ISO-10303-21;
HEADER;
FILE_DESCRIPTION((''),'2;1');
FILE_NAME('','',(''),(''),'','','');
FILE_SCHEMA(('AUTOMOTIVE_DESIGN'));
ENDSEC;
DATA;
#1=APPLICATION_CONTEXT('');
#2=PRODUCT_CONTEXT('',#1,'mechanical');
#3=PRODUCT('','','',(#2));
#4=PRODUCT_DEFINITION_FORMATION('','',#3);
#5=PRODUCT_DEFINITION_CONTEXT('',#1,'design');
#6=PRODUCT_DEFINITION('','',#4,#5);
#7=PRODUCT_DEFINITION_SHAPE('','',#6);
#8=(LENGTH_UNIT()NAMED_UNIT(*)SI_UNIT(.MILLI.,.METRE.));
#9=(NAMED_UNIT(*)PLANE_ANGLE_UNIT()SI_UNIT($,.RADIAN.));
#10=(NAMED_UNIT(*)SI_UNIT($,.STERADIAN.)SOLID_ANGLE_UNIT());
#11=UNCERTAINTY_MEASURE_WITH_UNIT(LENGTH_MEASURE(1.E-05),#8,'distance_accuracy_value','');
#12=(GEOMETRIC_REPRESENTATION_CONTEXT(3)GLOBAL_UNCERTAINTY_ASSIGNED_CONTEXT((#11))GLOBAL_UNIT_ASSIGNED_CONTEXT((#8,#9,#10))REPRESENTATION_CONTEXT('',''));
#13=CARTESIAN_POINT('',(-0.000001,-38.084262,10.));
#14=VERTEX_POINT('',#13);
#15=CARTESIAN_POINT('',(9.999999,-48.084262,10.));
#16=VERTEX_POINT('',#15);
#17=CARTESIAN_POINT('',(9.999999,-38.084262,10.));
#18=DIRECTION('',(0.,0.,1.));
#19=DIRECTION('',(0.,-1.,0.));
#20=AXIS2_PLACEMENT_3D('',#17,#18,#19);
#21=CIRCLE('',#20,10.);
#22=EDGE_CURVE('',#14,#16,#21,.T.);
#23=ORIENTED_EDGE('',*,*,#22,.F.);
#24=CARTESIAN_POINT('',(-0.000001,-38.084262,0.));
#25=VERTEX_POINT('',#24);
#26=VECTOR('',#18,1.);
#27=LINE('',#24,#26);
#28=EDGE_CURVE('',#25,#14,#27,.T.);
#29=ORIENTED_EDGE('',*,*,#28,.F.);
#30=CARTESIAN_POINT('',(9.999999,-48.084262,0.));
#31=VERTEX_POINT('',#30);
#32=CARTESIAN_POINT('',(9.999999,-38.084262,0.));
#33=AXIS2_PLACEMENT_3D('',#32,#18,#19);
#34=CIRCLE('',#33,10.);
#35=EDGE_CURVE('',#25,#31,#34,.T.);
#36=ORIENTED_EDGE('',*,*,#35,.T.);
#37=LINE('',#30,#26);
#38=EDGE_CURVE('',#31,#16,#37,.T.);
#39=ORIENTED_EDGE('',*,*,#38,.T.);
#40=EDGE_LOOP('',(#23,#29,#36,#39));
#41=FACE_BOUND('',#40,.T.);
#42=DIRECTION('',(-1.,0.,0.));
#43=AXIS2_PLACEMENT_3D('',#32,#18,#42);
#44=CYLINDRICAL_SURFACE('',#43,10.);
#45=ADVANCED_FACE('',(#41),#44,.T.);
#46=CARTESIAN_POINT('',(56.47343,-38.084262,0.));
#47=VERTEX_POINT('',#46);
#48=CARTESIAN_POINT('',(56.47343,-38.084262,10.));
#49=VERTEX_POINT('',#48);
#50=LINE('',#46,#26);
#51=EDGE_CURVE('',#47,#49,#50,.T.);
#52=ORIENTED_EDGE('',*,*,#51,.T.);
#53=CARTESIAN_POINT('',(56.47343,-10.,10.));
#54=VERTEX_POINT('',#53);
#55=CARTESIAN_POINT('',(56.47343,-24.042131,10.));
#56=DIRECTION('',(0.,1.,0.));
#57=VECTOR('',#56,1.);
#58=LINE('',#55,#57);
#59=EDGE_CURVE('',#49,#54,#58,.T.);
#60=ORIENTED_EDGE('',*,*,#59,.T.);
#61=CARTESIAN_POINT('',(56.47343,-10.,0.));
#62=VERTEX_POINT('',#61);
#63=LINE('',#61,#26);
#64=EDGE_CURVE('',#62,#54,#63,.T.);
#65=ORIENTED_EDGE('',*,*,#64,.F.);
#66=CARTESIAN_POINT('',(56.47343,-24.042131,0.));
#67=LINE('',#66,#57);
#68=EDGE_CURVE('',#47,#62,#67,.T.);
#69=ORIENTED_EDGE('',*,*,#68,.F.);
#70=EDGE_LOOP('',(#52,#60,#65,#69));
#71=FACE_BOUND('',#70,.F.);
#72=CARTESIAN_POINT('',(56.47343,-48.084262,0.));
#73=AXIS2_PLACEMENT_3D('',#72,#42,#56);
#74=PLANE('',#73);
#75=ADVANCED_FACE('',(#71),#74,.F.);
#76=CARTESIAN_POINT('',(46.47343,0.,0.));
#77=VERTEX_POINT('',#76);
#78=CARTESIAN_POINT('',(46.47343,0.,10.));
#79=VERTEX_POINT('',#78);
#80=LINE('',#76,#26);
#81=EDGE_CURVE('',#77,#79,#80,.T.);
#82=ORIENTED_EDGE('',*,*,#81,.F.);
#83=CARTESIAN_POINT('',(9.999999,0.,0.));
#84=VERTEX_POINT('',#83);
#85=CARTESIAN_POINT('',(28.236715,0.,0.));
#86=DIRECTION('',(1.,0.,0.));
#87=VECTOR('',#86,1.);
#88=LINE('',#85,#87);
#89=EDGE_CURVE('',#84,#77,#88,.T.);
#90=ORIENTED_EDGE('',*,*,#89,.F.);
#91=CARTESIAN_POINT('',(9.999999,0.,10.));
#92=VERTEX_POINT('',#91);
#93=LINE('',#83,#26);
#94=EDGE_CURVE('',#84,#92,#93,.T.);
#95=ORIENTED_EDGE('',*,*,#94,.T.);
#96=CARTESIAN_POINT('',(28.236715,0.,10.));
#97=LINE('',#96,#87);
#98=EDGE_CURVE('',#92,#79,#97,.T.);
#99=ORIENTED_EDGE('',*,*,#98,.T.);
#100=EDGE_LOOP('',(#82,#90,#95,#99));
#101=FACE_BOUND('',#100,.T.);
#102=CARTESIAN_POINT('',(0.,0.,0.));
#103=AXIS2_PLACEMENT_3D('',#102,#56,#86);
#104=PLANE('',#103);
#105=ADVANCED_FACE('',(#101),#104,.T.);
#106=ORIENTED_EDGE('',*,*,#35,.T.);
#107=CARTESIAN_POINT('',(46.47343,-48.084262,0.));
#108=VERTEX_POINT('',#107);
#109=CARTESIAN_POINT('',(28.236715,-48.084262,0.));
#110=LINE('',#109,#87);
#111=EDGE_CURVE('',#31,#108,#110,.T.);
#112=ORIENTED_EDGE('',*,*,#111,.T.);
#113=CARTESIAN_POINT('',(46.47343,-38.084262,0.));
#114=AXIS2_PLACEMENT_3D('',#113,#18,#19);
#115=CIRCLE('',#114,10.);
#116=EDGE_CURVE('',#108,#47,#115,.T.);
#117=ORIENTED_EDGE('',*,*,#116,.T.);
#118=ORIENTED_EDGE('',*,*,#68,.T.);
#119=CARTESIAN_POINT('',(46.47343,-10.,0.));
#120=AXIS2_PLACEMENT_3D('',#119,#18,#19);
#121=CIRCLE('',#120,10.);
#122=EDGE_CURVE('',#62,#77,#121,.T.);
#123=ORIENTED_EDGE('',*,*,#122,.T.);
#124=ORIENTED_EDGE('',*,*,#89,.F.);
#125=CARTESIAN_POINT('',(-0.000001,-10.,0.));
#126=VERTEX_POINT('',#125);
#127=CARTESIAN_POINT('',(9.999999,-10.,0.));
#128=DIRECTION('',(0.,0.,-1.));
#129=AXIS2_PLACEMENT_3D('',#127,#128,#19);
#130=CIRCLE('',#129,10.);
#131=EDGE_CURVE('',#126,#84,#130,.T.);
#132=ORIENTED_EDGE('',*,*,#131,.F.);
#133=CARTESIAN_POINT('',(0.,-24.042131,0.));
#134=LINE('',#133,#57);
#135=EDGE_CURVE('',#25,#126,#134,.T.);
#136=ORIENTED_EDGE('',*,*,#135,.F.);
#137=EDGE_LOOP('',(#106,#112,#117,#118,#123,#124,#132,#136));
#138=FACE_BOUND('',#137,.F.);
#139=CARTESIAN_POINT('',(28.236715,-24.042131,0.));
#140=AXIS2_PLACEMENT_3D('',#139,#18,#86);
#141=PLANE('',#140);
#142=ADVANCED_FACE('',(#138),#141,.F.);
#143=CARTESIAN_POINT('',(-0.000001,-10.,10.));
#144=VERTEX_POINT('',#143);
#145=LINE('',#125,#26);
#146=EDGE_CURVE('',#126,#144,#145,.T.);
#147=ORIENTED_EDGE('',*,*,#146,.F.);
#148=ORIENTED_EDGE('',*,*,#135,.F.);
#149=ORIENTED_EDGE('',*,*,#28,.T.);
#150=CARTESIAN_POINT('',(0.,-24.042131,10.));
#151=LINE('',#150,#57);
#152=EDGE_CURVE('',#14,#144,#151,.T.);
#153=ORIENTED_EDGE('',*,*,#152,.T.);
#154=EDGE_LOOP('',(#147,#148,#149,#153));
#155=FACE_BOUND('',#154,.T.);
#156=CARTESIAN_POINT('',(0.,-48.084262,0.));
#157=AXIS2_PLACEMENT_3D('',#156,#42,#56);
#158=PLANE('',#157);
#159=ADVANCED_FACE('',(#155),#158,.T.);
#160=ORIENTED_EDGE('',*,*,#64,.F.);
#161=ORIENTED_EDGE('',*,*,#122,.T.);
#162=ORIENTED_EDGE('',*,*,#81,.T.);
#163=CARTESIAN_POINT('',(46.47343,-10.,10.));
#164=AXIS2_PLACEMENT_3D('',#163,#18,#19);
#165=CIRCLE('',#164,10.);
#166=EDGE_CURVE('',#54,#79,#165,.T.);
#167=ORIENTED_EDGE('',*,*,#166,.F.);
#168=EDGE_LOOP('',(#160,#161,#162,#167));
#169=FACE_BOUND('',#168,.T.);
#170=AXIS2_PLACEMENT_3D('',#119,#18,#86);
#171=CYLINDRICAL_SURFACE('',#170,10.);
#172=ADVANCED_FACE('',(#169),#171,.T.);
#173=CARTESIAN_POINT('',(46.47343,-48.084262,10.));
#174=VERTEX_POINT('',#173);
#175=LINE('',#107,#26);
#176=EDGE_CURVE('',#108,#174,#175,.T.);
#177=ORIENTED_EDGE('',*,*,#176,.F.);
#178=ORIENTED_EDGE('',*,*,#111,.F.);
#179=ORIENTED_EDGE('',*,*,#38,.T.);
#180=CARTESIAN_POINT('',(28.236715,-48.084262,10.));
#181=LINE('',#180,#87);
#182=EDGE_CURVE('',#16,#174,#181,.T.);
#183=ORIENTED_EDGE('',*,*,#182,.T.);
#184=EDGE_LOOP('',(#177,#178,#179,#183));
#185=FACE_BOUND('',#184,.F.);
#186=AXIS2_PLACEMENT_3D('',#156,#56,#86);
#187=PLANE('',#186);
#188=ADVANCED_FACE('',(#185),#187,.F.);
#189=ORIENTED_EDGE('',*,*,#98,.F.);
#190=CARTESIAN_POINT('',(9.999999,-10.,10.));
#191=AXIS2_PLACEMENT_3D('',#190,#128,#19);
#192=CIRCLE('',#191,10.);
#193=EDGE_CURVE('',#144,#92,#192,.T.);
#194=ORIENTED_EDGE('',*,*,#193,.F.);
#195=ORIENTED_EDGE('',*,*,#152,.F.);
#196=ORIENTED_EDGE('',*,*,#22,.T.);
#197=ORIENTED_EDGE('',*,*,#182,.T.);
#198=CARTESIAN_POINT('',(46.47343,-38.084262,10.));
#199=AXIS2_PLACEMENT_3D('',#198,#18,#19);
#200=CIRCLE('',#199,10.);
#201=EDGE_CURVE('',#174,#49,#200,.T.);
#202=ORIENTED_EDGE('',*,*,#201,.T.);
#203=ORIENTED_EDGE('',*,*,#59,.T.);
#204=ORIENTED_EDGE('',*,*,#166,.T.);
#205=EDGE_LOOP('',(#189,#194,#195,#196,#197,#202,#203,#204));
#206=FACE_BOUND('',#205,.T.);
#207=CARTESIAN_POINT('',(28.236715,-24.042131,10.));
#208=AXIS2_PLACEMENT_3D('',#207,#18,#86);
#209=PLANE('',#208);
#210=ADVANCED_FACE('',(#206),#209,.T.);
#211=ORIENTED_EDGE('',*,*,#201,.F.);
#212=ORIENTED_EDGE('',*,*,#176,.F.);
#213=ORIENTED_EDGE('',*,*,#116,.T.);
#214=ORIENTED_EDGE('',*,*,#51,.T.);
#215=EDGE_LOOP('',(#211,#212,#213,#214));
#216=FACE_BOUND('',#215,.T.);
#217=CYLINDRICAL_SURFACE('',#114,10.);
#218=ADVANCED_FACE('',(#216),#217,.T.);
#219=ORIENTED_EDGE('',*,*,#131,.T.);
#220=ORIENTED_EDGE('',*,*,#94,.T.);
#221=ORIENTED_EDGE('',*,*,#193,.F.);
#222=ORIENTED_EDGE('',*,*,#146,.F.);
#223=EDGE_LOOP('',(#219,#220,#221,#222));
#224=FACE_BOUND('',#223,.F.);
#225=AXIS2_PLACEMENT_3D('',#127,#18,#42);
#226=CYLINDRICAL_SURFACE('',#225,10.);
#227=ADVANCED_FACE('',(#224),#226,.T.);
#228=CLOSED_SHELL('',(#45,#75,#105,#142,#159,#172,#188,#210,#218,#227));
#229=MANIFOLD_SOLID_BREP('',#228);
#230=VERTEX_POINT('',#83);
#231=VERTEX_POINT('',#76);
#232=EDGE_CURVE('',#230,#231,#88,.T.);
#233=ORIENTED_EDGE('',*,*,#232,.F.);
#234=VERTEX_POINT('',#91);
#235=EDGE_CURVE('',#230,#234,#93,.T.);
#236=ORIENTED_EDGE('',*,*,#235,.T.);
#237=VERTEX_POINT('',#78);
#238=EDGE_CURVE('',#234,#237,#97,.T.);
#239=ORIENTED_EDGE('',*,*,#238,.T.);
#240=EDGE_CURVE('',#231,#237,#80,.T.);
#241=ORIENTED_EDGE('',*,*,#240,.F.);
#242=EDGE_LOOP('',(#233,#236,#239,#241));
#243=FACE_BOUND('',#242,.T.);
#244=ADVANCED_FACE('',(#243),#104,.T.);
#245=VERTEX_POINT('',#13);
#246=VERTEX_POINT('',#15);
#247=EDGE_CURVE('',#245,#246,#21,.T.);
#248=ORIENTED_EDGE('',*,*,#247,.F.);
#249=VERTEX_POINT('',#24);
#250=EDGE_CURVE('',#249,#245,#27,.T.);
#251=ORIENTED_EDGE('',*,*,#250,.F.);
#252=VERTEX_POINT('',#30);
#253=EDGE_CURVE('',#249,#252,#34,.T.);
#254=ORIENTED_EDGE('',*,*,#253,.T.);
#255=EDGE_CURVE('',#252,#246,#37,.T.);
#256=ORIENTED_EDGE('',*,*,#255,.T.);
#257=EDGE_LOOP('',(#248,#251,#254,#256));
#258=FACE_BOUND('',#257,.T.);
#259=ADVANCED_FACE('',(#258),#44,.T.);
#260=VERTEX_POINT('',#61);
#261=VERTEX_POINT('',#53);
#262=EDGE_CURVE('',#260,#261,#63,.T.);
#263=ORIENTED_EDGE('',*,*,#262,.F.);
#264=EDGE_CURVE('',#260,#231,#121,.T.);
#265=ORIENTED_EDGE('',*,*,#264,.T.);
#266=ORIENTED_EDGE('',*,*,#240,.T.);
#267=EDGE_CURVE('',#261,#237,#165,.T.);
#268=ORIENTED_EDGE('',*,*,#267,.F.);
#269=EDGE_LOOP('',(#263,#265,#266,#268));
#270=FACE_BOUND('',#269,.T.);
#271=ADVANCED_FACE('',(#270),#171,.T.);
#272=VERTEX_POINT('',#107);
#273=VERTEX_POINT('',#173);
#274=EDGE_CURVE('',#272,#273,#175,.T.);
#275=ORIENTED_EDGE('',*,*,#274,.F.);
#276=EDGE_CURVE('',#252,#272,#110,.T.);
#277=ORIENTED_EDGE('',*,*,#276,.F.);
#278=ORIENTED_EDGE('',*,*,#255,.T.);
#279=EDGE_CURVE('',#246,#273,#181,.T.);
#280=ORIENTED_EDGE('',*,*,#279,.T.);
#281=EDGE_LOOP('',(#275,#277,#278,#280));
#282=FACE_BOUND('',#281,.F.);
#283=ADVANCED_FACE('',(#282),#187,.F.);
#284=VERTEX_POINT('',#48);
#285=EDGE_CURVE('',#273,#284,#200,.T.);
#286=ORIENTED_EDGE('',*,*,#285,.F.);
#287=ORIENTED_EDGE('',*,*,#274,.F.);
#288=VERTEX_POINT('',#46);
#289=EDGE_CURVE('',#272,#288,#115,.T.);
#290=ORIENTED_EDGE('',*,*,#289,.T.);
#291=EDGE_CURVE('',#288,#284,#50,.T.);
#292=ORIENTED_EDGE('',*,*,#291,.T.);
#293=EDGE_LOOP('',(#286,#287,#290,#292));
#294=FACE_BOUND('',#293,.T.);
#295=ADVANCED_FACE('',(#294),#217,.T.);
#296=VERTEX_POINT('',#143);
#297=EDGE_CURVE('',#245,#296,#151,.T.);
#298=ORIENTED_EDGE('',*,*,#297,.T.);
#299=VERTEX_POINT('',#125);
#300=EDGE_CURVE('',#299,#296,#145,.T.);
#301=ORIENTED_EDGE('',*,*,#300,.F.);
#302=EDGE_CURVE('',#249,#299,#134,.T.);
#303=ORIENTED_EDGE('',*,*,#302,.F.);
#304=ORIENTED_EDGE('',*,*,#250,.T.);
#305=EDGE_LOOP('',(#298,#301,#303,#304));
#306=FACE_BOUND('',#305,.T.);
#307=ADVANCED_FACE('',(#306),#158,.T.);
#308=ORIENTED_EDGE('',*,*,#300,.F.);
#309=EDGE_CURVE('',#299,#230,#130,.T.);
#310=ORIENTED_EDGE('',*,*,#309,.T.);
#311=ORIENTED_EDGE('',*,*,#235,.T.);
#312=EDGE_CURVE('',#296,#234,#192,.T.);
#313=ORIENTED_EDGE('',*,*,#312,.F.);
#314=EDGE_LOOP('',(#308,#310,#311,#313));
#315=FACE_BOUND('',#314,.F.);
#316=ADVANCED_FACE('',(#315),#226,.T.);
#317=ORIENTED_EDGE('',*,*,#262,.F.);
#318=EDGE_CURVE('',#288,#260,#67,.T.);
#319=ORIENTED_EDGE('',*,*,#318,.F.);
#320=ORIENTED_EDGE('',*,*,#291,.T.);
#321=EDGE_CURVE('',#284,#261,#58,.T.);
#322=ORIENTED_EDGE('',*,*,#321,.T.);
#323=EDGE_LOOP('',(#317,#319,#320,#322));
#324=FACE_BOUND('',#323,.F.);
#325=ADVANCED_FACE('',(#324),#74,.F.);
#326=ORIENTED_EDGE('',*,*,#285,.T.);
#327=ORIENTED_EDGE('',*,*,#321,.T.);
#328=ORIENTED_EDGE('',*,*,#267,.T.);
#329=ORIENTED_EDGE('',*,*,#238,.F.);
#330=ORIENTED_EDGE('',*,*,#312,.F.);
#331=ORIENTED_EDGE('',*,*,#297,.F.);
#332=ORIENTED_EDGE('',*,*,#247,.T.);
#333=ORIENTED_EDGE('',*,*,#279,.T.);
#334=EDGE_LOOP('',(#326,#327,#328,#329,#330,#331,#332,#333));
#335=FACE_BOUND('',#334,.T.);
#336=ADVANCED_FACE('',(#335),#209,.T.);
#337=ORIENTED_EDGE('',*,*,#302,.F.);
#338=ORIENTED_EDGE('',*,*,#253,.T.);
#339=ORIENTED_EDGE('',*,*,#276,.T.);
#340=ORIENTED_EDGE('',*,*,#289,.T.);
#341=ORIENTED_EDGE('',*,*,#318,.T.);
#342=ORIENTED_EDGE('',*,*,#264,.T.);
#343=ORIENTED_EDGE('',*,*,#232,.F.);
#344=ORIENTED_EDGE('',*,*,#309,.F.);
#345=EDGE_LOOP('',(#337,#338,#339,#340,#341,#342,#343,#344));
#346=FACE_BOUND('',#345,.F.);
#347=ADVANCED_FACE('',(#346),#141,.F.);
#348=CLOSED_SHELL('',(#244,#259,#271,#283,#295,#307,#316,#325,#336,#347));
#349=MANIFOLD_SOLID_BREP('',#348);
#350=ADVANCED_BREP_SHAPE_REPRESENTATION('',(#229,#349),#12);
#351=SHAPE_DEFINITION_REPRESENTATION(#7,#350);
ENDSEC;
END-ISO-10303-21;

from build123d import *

# Parameters (mm, degrees)
F0_W     = 56.473431
F0_H     = 48.084262
F1_DEPTH = 10
F2_R     = 10
F3_W     = 56.473431
F3_H     = 48.084262
F4_DEPTH = 10
F5_R     = 10


with BuildPart() as f1:
    # F0 (on Top) → F1 (new body)
    with BuildSketch(Plane.XY):
        with Locations((28.236715, -24.042131)):
            Rectangle(F0_W, F0_H)
    extrude(amount=F1_DEPTH)

    # F2
    f2_edges = [f1.edges().sort_by_distance(p)[0] for p in [
        (56.473431, 0, 5),
        (0, 0, 5),
        (0, -48.084262, 5),
        (56.473431, -48.084262, 5),
    ]]
    fillet(f2_edges, radius=F2_R)


with BuildPart() as f4:
    # F3 (on Top) → F4 (new body)
    with BuildSketch(Plane.XY):
        with Locations((28.236715, -24.042131)):
            Rectangle(F3_W, F3_H)
    extrude(amount=F4_DEPTH)

    # F5
    f5_edges = [f4.edges().sort_by_distance(p)[0] for p in [
        (56.473431, 0, 5),
        (0, 0, 5),
        (0, -48.084262, 5),
        (56.473431, -48.084262, 5),
    ]]
    fillet(f5_edges, radius=F5_R)


solid = Compound([f1.part, f4.part])
